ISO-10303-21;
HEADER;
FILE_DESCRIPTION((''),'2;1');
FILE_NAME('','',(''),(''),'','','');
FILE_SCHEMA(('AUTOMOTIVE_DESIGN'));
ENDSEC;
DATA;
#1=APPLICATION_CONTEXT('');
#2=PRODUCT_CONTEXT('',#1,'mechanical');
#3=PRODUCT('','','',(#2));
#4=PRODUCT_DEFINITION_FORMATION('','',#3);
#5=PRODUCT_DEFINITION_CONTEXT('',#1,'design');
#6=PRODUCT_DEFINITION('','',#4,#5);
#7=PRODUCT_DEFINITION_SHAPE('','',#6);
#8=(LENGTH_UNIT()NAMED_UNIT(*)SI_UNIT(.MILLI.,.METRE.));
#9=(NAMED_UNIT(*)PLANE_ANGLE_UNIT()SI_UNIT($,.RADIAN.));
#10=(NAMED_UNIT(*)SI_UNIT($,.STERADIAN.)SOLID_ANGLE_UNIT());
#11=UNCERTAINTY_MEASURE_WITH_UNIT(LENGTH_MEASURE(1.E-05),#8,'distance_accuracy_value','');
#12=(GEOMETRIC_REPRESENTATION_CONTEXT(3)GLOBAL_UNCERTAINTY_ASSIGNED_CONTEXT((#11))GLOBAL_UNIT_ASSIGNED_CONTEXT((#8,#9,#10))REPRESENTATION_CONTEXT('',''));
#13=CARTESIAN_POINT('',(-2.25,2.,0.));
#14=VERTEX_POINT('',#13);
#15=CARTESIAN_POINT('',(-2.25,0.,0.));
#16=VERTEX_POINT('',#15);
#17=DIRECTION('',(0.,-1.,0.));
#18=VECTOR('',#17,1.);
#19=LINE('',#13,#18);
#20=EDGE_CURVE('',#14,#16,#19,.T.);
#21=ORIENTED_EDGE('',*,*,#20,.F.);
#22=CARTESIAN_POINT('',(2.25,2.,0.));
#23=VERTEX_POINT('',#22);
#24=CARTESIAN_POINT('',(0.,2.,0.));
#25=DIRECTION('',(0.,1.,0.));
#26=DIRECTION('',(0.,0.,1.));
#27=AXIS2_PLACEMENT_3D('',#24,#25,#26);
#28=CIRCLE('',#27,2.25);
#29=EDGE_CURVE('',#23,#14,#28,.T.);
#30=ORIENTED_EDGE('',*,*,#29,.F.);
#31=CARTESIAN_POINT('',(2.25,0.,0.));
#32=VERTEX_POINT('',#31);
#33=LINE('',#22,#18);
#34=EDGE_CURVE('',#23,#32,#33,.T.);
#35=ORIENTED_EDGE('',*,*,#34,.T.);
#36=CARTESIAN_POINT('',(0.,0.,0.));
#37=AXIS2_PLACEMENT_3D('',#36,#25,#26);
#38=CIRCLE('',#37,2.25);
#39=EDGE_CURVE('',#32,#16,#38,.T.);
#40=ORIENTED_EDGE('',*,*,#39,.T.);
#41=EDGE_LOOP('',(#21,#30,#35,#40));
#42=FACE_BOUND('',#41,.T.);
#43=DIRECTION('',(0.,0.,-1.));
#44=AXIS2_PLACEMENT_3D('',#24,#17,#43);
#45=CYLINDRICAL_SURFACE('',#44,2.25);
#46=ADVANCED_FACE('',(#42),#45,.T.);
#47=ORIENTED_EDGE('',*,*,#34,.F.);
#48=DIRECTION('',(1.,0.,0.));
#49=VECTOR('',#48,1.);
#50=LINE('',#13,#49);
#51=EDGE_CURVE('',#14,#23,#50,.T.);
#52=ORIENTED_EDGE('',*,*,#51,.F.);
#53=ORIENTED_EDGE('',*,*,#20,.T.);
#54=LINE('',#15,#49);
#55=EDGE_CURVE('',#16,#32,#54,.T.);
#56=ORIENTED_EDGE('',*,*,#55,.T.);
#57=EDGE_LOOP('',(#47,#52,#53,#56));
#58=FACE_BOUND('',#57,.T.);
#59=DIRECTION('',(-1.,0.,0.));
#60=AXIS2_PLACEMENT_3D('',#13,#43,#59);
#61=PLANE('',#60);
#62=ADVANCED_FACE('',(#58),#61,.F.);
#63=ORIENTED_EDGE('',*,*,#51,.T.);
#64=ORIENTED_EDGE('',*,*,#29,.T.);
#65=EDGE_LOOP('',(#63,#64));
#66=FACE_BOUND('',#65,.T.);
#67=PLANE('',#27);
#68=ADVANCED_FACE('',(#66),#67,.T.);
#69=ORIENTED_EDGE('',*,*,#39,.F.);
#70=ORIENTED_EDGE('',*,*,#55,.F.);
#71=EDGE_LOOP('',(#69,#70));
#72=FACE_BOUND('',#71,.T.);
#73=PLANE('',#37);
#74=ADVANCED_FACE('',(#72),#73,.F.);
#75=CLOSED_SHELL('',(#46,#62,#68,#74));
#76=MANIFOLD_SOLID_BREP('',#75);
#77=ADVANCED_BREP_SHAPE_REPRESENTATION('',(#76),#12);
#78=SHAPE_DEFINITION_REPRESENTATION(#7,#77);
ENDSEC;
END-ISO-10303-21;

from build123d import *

# Parameters (mm, degrees)
EXTRUDE_1_DEPTH = 2


with BuildPart() as part:
    # 草图1 → 凸台-拉伸1 (new body)
    with BuildSketch(Plane(origin=(0, 0, 0), x_dir=(1, 0, 0), z_dir=(0, 1, 0))):
        with BuildLine():
            Line((-2.25, 0), (2.25, 0))
            ThreePointArc((2.25, 0), (0, 2.25), (-2.25, 0))
        make_face()
    extrude(amount=EXTRUDE_1_DEPTH)


solid = part.part
